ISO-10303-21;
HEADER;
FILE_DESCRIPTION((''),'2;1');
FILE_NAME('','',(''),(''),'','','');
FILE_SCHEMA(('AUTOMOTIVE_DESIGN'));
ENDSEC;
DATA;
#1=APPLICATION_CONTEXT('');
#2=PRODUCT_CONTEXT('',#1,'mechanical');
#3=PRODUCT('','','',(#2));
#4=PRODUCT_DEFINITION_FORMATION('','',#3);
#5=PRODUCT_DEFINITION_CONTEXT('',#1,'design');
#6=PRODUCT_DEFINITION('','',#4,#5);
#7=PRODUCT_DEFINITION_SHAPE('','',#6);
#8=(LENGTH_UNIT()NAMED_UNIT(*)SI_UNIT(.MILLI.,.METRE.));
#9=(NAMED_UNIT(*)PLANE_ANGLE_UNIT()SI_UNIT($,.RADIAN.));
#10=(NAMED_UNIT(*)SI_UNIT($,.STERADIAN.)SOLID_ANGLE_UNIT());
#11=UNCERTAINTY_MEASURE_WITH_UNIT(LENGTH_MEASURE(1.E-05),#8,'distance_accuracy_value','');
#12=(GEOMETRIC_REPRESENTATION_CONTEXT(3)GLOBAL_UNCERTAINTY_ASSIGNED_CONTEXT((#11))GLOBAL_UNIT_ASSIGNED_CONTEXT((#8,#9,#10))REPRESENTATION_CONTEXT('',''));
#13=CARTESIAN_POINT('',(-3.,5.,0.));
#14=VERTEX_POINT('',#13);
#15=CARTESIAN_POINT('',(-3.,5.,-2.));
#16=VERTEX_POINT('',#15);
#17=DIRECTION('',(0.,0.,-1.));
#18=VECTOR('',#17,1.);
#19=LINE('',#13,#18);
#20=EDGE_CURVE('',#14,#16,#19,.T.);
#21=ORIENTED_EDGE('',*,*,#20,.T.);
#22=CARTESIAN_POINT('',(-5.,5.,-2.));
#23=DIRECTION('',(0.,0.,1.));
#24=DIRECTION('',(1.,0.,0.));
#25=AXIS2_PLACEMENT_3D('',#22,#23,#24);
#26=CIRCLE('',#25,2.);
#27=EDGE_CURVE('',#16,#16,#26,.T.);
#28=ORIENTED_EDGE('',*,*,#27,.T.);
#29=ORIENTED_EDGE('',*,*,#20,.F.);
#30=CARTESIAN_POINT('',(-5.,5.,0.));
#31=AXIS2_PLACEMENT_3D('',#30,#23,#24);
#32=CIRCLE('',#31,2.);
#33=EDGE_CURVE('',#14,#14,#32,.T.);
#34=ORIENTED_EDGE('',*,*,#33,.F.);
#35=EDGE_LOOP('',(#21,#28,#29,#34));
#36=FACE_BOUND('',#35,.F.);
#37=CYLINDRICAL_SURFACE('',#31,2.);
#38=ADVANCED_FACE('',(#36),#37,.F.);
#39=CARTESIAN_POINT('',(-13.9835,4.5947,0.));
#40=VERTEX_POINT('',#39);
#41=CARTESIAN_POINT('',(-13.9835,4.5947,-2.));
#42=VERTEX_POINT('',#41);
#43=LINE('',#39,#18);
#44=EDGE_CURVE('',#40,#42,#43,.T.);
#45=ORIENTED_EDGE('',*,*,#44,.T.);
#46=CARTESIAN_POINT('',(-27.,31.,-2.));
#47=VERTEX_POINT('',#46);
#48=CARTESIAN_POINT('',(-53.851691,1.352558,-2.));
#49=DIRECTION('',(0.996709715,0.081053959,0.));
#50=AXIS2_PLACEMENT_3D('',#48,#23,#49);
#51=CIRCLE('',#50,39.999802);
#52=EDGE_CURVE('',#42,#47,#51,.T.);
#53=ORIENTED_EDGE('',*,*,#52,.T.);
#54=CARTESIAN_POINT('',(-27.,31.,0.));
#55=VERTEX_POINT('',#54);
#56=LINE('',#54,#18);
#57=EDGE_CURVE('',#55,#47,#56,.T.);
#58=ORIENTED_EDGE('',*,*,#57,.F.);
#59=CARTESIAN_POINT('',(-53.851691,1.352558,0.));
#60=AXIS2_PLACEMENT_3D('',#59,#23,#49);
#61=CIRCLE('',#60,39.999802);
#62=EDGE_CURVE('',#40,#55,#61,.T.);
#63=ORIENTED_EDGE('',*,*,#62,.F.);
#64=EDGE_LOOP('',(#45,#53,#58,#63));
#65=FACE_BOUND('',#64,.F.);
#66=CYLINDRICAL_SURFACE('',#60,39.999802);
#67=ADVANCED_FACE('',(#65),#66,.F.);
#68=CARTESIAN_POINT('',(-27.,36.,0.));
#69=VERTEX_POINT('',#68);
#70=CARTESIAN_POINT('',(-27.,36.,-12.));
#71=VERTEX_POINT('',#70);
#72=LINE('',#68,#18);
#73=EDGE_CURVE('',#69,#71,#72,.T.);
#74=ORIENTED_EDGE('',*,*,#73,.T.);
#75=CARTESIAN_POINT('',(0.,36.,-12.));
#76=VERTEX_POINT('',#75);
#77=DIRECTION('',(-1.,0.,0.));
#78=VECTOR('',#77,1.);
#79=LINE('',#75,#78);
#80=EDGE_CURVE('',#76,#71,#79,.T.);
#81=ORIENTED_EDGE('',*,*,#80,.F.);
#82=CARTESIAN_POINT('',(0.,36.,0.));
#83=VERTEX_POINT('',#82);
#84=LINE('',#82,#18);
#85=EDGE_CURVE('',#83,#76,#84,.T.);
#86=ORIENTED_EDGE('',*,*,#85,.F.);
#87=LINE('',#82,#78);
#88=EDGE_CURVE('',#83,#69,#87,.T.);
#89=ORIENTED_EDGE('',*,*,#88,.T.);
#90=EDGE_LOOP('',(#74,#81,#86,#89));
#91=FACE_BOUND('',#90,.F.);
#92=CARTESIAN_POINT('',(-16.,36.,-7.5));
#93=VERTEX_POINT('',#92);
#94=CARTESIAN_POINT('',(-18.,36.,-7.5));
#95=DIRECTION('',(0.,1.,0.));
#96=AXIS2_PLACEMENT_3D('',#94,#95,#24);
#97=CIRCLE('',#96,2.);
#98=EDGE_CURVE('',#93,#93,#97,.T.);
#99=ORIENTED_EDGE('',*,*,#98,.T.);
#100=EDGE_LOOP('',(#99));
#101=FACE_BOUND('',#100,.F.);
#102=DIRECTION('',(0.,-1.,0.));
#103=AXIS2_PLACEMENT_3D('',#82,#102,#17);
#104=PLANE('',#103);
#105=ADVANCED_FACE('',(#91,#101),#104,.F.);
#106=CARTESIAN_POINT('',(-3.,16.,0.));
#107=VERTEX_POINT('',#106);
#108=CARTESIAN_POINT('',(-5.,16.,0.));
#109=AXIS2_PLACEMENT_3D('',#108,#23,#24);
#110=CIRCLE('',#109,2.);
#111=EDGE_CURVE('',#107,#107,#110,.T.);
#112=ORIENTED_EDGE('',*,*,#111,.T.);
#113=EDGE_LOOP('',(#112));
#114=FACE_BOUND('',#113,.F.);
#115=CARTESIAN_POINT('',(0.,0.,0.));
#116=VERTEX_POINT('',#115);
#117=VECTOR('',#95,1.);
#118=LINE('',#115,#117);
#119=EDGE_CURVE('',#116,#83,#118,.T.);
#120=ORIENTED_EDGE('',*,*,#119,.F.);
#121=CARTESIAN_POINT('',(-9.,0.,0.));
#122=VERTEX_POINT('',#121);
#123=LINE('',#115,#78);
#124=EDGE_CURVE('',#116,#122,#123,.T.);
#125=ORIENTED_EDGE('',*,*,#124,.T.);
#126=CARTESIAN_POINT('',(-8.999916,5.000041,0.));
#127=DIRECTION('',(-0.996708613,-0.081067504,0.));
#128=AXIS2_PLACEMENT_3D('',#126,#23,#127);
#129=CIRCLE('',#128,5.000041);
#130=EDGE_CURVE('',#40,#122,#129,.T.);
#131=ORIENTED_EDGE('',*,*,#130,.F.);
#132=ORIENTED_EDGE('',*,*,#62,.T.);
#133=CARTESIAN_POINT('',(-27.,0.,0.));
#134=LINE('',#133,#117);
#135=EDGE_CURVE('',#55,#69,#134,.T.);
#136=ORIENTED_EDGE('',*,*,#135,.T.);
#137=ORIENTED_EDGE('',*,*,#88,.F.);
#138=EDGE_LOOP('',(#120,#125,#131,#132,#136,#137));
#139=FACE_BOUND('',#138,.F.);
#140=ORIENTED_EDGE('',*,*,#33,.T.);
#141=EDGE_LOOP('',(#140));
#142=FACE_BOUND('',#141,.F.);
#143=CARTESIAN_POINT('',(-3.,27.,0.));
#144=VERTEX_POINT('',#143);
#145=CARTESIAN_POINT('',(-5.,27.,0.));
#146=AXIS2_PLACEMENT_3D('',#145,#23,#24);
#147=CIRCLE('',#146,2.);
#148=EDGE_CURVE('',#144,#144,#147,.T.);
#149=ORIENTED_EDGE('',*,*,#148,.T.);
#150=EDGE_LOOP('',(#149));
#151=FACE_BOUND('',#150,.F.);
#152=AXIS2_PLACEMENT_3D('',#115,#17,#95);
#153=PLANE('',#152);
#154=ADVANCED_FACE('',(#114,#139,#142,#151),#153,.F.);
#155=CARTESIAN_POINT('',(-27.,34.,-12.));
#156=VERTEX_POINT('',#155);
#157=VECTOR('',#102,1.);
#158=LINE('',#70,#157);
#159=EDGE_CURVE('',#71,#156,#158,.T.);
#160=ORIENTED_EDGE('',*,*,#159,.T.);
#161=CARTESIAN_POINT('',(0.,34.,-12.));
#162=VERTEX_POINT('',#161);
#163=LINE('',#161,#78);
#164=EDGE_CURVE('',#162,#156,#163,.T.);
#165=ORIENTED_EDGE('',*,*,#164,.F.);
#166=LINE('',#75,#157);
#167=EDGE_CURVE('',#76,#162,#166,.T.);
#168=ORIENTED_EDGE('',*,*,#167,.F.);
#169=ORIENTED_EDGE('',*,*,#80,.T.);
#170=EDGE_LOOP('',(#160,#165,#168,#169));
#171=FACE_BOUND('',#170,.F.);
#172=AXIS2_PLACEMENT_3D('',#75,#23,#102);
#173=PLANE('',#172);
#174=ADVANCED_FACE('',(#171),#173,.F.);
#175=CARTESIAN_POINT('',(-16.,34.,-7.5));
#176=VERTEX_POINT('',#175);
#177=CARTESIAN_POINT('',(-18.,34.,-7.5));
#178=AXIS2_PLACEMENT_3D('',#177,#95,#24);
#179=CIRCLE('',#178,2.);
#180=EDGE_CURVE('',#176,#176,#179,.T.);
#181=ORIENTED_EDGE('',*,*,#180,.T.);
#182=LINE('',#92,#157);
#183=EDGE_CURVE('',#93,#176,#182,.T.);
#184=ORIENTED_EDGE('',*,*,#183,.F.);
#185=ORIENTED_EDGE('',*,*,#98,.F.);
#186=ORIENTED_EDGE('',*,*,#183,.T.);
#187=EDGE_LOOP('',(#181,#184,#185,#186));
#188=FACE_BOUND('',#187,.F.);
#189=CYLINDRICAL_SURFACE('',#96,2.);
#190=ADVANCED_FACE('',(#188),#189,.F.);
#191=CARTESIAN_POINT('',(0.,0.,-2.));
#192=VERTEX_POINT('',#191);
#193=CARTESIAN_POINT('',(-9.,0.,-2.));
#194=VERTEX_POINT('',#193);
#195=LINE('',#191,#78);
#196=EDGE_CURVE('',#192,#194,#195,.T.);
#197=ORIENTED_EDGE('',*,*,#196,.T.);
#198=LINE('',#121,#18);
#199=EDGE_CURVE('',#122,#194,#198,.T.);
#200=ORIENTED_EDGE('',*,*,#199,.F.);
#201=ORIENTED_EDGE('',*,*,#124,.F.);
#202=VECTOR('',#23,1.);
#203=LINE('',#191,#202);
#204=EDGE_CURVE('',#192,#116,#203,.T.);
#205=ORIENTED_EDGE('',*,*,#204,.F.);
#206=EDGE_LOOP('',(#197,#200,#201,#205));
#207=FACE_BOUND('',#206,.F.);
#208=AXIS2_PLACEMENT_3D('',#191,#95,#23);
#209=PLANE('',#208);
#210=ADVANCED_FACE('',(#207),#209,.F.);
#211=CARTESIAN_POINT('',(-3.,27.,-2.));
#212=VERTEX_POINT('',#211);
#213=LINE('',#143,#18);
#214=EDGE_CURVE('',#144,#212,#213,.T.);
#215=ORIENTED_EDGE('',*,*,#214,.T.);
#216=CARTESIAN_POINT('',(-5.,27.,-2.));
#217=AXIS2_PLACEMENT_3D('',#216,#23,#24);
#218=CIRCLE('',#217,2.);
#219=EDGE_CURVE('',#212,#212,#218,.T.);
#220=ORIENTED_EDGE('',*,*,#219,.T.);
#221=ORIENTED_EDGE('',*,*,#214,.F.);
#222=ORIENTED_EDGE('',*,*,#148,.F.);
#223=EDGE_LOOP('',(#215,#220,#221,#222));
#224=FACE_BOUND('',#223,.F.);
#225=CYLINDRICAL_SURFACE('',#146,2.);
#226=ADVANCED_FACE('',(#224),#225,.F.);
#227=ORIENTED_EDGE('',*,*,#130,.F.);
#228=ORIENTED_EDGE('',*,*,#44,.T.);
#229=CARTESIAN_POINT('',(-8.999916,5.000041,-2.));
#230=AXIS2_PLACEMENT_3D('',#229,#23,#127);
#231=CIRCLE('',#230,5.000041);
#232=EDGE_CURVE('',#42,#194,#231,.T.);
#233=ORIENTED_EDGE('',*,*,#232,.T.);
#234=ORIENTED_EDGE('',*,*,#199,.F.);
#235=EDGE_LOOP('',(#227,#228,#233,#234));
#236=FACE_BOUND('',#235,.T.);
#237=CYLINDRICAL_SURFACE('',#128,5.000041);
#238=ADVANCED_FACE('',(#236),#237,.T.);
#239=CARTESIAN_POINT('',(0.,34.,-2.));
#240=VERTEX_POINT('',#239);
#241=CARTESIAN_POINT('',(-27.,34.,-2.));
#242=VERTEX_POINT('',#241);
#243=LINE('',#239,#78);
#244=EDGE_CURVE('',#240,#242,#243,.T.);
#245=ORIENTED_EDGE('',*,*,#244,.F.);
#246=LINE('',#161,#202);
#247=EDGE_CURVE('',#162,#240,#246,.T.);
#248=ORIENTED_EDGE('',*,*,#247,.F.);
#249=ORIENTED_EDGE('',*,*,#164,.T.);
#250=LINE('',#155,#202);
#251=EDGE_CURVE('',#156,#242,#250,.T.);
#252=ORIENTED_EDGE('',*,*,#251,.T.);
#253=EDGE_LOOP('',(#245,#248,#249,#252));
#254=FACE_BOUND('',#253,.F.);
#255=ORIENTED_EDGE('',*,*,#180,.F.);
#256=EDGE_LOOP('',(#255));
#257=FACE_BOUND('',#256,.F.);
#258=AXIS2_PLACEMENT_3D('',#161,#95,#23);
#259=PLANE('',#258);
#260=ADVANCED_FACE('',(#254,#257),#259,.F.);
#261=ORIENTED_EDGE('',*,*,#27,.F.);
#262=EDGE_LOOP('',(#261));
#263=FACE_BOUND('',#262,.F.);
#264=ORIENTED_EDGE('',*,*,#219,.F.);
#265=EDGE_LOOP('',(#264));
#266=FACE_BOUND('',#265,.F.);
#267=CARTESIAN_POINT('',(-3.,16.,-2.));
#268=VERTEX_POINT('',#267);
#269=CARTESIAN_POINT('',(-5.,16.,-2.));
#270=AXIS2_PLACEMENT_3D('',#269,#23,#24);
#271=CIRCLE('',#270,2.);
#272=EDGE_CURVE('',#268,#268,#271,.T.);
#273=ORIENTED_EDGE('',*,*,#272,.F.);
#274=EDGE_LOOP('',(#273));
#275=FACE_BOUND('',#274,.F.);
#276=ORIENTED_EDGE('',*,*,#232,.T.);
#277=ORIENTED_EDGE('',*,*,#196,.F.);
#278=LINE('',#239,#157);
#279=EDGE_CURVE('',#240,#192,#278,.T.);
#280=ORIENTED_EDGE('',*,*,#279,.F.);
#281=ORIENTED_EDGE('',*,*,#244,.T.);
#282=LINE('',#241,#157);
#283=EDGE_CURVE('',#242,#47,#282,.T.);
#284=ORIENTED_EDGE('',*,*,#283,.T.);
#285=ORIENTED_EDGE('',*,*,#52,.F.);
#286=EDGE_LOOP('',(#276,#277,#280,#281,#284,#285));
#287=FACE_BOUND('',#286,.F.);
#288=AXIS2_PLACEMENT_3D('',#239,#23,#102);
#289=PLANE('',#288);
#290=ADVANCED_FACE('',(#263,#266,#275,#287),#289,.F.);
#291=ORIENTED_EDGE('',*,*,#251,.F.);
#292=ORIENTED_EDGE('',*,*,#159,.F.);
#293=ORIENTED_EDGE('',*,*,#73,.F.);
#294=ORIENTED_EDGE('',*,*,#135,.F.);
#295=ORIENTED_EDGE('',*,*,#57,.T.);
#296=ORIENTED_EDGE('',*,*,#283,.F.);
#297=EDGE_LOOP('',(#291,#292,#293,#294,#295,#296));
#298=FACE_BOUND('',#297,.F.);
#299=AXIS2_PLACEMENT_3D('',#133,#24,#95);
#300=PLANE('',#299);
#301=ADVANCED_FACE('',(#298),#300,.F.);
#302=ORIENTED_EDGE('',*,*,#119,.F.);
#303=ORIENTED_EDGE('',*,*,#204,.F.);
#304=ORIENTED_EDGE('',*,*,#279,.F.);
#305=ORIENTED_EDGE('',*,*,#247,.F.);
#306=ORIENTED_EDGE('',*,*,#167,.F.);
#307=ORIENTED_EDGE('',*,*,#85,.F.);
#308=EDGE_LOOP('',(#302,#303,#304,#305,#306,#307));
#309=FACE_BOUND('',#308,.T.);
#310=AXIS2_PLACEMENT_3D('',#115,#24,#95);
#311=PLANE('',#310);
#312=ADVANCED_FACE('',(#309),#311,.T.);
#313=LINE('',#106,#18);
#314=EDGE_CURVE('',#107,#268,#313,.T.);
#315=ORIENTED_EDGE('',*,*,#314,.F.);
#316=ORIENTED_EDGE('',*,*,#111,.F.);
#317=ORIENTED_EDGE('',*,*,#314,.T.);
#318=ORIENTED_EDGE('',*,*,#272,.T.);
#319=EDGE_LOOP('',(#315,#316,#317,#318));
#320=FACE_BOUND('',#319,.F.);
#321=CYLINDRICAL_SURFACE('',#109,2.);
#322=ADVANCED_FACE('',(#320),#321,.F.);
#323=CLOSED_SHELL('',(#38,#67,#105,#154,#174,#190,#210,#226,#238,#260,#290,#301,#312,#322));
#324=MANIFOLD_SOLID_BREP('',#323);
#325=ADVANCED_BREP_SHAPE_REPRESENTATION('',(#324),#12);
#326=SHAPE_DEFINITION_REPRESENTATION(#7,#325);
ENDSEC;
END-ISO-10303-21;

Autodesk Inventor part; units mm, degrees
ref_plane "YZ Plane" through (0, 0, 0) normal (1, 0, 0) x (0, 1, 0)
ref_plane "XZ Plane" through (0, 0, 0) normal (0, 1, 0) x (-1, 0, 0)
ref_plane "XY Plane" through (0, 0, 0) normal (0, 0, 1) x (1, 0, 0)
sketch "Sketch1" plane through (0, 0, 0) normal (1, 0, 0) x (0, 1, 0)
  line L0 (0, 0) -> (36, 0)
  line L1 (36, 0) -> (36, -12)
  line L2 (36, -12) -> (34, -12)
  line L3 (34, -12) -> (34, -2)
  line L4 (34, -2) -> (0, -2)
  line L5 (0, -2) -> (0, 0)
  dimension "d0" = 36
  dimension "d1" = 12
  dimension "d2" = 2
  dimension "d3" = 2
extrude "Extrusion1" add sketch "Sketch1" against normal blind 27
sketch "Sketch2" plane through (0, 36, 0) normal (0, 1, 0) x (1, 0, 0)
  circle A0 centre (-18, 7.5) radius 2
  line L0 (0, 0) -> (-27, 0) projected
  line L1 (0, 12) -> (0, 0) projected
  dimension "d6" = 4
  dimension "d7" = 7.5
  dimension "d8" = 18
extrude "Extrusion2" cut sketch "Sketch2" against normal blind 27
sketch "Sketch3" plane through (0, 0, 0) normal (0, 0, 1) x (1, 0, 0)
  line L0 (-27, 34) -> (-27, 0) projected
  line L1 (0, 36) -> (-27, 36) projected
  line L2 (-25.8683, 31) -> (-28.3872, 31) construction
  arc A0 (-13.9835, 4.5947) -> (-9, 0) centre (-9, 5) ccw
  line L3 (0, 0) -> (-27, 0) projected
  line L4 (0, 36) -> (0, 0) projected
  line L5 (-14, 4.4018) -> (-14, 0) construction
  circle A1 centre (-5, 27) radius 2
  circle A2 centre (-5, 16) radius 2
  circle A3 centre (-5, 5) radius 2
  line L6 (-27, 36) -> (0, 36)
  line L7 (0, 36) -> (0, 0)
  line L8 (0, 0) -> (-27, 0)
  line L9 (-27, 0) -> (-27, 36)
  arc A4 (-13.9835, 4.5947) -> (-27, 31) centre (-53.8519, 1.3525) ccw
  point P0 (-9, 0)
  dimension "d12" = 5
  dimension "d13" = 10
  dimension "d15" = 4
  dimension "d16" = 4
  dimension "d17" = 4
  dimension "d18" = 5
  dimension "d19" = 16
  dimension "d20" = 27
  dimension "d21" = 5
  dimension "d22" = 5
  dimension "d23" = 5
  dimension "d26" = 14
  dimension "d27" = 40
extrude "Extrusion3" cut sketch "Sketch3" against normal blind 27 contours A4 A0 L3 L0 | A1 | A2 | A3
